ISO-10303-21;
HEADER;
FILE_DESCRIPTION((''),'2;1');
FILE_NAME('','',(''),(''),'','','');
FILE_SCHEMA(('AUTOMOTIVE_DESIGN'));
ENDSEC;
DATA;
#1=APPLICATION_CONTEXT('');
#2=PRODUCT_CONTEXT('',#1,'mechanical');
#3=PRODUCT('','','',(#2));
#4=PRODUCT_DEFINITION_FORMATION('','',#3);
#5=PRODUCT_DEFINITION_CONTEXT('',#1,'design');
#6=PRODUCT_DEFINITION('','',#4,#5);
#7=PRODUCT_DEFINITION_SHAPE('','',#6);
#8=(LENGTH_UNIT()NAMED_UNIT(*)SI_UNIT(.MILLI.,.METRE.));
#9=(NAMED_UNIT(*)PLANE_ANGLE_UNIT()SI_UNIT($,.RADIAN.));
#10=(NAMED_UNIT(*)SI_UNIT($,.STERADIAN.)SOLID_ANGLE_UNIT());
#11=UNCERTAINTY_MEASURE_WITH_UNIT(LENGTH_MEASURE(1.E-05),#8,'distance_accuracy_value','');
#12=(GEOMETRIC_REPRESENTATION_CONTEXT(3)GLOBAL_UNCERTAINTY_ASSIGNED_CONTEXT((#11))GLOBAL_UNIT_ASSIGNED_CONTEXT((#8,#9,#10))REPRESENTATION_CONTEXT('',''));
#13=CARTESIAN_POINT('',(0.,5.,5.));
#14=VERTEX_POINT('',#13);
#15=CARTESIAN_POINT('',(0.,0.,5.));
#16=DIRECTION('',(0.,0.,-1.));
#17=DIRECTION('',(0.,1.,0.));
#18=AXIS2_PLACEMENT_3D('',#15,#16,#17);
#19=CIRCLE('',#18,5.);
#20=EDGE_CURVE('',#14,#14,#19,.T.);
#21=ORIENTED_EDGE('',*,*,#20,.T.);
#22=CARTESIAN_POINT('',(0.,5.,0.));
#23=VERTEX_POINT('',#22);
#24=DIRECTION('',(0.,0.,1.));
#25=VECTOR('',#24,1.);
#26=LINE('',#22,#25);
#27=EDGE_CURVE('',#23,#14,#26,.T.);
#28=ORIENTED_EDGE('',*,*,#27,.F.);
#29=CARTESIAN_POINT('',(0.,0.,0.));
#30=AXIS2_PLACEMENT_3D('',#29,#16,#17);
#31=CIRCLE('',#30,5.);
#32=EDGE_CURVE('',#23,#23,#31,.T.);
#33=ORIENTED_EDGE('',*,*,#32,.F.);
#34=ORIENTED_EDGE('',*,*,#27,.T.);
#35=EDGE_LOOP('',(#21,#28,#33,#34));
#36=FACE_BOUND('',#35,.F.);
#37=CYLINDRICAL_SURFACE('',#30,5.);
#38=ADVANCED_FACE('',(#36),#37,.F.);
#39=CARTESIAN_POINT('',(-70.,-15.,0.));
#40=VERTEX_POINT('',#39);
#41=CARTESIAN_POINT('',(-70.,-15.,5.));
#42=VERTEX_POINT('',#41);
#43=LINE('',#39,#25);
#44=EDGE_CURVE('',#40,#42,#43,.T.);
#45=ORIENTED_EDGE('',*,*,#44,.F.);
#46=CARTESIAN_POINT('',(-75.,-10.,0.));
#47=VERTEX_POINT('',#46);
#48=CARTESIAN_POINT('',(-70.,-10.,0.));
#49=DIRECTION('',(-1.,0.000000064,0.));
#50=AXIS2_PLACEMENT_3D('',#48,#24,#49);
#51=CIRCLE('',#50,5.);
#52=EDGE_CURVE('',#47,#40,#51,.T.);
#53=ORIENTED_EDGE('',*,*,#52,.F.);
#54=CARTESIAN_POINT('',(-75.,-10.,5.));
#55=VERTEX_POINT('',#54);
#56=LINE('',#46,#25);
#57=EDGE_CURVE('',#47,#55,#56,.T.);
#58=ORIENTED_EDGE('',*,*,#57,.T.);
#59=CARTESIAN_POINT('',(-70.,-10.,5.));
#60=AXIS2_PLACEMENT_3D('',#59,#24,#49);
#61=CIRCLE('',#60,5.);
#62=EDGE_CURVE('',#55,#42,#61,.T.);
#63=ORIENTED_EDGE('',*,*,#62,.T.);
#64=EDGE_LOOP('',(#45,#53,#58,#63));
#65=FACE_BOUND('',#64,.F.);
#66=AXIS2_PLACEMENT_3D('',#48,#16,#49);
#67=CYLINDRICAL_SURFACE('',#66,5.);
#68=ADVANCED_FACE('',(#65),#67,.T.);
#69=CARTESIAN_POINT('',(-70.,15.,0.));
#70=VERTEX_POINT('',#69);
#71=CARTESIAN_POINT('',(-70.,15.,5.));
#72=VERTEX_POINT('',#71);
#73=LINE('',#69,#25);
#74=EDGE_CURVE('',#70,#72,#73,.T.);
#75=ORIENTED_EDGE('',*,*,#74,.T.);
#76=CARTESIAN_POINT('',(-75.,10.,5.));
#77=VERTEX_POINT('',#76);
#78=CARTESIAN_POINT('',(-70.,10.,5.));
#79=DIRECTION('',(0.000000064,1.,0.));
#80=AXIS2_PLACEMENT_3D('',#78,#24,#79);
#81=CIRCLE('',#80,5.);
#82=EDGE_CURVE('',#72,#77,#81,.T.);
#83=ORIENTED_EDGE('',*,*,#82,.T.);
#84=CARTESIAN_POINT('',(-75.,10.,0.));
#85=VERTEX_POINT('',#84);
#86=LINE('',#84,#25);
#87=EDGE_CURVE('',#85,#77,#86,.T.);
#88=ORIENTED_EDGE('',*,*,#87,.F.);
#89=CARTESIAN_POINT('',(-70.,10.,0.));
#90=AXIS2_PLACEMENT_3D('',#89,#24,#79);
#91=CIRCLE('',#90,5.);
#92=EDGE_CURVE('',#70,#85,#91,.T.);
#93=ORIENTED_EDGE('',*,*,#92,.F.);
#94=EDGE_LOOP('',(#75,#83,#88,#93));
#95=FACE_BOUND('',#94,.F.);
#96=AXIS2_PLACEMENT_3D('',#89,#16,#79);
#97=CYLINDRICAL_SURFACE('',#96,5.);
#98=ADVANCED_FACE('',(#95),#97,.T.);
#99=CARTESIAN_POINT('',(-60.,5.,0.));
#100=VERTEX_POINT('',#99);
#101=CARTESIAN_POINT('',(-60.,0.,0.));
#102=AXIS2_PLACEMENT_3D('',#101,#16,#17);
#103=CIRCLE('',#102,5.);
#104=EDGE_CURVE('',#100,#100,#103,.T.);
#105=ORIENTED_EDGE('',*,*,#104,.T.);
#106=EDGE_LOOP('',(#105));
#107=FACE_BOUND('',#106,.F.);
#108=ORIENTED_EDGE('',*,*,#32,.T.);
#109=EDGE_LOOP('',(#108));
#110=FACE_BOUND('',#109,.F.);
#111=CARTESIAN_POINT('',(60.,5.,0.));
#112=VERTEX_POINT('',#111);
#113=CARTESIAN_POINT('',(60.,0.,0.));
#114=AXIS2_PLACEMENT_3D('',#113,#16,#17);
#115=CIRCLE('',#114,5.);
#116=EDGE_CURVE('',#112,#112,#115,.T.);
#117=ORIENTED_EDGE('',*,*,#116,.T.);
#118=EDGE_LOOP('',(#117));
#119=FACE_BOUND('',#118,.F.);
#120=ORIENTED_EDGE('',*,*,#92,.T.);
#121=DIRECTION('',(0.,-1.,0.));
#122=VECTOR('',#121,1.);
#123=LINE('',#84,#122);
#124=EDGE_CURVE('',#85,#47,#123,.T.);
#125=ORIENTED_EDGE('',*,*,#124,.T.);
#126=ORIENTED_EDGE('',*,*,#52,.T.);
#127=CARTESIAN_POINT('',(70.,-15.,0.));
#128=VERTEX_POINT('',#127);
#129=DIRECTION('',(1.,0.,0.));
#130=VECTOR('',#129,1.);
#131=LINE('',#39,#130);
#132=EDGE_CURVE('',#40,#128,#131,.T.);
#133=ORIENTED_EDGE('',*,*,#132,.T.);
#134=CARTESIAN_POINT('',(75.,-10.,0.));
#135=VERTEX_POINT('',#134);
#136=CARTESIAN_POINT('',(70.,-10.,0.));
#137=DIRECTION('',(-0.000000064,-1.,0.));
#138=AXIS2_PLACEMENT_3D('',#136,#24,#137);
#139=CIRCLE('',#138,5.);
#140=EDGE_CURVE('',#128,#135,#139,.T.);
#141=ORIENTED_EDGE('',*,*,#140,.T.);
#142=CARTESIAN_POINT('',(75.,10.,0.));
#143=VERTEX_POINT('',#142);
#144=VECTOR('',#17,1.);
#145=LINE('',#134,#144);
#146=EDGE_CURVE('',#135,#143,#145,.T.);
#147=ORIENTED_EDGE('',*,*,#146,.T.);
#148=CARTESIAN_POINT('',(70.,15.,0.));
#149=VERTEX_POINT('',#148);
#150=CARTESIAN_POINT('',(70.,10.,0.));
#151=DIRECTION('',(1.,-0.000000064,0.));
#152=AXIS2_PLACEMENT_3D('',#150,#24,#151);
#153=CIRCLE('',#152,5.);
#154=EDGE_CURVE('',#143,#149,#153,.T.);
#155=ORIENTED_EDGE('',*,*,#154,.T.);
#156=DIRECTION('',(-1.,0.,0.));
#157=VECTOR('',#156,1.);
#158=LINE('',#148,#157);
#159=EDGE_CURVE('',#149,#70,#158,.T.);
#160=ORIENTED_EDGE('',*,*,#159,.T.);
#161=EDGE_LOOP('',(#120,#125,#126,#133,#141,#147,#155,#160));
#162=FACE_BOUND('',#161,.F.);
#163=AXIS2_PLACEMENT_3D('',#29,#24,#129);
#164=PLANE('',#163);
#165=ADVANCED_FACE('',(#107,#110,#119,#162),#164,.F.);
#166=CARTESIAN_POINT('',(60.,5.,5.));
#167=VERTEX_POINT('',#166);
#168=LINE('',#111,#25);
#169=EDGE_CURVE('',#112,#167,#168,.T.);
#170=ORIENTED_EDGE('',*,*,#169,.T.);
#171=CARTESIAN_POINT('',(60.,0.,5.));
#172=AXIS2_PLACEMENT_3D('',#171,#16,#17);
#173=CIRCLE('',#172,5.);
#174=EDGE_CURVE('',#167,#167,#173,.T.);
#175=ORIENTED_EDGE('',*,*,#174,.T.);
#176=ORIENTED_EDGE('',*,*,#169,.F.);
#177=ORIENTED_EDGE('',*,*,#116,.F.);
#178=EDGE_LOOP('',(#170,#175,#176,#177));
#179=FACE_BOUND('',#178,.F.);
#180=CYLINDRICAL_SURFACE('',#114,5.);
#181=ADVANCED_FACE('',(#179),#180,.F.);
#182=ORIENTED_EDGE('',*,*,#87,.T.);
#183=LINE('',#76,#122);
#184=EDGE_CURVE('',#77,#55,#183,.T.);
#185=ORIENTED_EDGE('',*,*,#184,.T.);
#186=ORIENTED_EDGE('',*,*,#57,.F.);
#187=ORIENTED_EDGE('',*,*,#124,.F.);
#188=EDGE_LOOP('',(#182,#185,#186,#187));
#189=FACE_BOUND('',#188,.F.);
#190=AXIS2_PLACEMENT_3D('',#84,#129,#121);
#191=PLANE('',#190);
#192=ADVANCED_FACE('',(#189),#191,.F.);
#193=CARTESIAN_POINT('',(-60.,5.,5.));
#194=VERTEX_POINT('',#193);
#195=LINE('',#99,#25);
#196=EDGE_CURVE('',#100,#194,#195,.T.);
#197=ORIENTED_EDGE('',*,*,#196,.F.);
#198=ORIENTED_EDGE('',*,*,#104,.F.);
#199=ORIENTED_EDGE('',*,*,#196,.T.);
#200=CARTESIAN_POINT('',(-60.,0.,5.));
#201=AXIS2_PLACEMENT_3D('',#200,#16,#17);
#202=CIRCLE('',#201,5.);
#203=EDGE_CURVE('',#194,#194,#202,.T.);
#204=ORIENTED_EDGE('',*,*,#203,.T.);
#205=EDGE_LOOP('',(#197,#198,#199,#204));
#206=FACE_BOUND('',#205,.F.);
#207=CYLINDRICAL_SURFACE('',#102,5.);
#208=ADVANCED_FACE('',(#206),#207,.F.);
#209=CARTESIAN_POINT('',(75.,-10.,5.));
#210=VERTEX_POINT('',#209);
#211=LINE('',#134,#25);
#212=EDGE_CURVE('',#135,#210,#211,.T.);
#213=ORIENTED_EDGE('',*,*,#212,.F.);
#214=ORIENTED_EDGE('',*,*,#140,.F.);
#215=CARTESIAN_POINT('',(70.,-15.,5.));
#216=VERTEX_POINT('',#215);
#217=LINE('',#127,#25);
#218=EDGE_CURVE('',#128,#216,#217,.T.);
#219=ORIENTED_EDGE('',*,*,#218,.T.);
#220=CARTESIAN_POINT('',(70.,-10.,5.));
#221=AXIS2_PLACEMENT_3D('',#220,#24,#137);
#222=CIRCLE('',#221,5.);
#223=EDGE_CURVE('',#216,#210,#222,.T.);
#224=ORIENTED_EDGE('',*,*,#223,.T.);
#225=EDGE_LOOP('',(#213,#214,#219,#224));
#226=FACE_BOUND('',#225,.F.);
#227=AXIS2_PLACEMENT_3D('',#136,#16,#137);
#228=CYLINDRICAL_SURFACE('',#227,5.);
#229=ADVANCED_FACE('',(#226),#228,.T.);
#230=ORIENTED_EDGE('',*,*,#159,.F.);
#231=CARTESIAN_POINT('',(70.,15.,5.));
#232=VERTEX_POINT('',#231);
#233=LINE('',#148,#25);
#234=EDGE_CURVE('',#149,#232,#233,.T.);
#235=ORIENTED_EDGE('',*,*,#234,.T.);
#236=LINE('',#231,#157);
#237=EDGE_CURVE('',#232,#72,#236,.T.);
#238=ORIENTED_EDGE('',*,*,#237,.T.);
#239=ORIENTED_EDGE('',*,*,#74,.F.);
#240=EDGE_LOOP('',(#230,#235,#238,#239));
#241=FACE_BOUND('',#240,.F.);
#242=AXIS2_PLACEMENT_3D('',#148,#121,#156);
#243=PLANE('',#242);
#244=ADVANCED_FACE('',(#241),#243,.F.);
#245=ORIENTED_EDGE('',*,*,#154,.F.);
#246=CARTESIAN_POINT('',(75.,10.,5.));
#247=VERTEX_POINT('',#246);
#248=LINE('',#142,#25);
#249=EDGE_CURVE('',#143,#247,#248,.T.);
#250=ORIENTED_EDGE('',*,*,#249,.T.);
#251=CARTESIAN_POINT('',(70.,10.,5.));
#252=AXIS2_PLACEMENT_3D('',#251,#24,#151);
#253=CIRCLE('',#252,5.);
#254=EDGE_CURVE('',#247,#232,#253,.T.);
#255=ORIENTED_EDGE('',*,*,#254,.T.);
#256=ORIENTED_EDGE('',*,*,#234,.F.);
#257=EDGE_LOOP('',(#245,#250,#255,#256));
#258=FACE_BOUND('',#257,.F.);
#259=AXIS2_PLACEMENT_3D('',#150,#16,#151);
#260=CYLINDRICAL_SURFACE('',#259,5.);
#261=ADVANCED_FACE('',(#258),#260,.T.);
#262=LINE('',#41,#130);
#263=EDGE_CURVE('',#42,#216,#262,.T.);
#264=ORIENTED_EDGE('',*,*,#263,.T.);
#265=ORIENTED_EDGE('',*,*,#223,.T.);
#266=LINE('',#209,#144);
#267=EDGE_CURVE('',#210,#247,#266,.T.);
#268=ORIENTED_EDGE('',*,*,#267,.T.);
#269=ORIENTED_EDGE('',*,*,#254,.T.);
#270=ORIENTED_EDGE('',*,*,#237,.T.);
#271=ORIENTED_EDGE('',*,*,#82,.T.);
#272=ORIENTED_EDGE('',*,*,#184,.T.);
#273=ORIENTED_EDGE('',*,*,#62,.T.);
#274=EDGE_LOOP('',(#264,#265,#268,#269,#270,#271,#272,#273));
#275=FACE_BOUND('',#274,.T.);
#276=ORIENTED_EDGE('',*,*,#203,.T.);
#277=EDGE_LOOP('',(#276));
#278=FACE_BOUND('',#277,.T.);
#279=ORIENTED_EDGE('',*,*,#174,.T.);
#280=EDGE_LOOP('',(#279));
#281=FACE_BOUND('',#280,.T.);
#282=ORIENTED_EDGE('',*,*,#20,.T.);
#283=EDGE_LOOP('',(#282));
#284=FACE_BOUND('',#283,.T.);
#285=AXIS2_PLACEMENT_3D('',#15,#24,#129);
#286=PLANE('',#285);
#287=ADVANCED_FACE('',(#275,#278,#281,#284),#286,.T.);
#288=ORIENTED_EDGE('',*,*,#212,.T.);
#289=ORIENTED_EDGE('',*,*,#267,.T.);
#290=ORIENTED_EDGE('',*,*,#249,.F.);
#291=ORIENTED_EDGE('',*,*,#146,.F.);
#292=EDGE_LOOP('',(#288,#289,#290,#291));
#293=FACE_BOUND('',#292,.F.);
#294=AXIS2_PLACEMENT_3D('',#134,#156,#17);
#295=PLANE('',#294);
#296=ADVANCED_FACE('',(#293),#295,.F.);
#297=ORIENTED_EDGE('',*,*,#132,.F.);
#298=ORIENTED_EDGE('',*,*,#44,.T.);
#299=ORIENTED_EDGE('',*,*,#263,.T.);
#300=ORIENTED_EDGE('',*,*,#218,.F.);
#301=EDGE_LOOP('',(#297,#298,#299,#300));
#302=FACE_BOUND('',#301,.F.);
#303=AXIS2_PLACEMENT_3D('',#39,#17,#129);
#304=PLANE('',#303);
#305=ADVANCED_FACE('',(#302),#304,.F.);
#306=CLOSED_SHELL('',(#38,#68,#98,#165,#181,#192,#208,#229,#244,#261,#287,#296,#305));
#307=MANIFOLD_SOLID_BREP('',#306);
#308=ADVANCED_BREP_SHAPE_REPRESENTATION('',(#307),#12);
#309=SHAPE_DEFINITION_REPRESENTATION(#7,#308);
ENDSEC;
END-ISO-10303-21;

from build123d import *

# Parameters (mm, degrees)
F1_DEPTH = 5


with BuildPart() as f1:
    # F0 (on Top) → F1 (new body)
    with BuildSketch(Plane.XY):
        with BuildLine():
            Line((70, 15), (-70, 15))
            ThreePointArc((-70, 15), (-73.535534, 13.535534), (-75, 10))
            Line((-75, 10), (-75, -10))
            ThreePointArc((-75, -10), (-73.535534, -13.535534), (-70, -15))
            Line((-70, -15), (70, -15))
            ThreePointArc((70, -15), (73.535534, -13.535534), (75, -10))
            Line((75, -10), (75, 10))
            ThreePointArc((75, 10), (73.535534, 13.535534), (70, 15))
        make_face()
        with BuildLine():
            ThreePointArc((-60, -5), (-65, 0), (-60, 5))
            ThreePointArc((-60, 5), (-55, 0), (-60, -5))
        make_face(mode=Mode.SUBTRACT)
        with BuildLine():
            ThreePointArc((0, -5), (-5, 0), (0, 5))
            ThreePointArc((0, 5), (5, 0), (0, -5))
        make_face(mode=Mode.SUBTRACT)
        with BuildLine():
            ThreePointArc((60, -5), (55, 0), (60, 5))
            ThreePointArc((60, 5), (65, 0), (60, -5))
        make_face(mode=Mode.SUBTRACT)
    extrude(amount=F1_DEPTH)


solid = f1.part
